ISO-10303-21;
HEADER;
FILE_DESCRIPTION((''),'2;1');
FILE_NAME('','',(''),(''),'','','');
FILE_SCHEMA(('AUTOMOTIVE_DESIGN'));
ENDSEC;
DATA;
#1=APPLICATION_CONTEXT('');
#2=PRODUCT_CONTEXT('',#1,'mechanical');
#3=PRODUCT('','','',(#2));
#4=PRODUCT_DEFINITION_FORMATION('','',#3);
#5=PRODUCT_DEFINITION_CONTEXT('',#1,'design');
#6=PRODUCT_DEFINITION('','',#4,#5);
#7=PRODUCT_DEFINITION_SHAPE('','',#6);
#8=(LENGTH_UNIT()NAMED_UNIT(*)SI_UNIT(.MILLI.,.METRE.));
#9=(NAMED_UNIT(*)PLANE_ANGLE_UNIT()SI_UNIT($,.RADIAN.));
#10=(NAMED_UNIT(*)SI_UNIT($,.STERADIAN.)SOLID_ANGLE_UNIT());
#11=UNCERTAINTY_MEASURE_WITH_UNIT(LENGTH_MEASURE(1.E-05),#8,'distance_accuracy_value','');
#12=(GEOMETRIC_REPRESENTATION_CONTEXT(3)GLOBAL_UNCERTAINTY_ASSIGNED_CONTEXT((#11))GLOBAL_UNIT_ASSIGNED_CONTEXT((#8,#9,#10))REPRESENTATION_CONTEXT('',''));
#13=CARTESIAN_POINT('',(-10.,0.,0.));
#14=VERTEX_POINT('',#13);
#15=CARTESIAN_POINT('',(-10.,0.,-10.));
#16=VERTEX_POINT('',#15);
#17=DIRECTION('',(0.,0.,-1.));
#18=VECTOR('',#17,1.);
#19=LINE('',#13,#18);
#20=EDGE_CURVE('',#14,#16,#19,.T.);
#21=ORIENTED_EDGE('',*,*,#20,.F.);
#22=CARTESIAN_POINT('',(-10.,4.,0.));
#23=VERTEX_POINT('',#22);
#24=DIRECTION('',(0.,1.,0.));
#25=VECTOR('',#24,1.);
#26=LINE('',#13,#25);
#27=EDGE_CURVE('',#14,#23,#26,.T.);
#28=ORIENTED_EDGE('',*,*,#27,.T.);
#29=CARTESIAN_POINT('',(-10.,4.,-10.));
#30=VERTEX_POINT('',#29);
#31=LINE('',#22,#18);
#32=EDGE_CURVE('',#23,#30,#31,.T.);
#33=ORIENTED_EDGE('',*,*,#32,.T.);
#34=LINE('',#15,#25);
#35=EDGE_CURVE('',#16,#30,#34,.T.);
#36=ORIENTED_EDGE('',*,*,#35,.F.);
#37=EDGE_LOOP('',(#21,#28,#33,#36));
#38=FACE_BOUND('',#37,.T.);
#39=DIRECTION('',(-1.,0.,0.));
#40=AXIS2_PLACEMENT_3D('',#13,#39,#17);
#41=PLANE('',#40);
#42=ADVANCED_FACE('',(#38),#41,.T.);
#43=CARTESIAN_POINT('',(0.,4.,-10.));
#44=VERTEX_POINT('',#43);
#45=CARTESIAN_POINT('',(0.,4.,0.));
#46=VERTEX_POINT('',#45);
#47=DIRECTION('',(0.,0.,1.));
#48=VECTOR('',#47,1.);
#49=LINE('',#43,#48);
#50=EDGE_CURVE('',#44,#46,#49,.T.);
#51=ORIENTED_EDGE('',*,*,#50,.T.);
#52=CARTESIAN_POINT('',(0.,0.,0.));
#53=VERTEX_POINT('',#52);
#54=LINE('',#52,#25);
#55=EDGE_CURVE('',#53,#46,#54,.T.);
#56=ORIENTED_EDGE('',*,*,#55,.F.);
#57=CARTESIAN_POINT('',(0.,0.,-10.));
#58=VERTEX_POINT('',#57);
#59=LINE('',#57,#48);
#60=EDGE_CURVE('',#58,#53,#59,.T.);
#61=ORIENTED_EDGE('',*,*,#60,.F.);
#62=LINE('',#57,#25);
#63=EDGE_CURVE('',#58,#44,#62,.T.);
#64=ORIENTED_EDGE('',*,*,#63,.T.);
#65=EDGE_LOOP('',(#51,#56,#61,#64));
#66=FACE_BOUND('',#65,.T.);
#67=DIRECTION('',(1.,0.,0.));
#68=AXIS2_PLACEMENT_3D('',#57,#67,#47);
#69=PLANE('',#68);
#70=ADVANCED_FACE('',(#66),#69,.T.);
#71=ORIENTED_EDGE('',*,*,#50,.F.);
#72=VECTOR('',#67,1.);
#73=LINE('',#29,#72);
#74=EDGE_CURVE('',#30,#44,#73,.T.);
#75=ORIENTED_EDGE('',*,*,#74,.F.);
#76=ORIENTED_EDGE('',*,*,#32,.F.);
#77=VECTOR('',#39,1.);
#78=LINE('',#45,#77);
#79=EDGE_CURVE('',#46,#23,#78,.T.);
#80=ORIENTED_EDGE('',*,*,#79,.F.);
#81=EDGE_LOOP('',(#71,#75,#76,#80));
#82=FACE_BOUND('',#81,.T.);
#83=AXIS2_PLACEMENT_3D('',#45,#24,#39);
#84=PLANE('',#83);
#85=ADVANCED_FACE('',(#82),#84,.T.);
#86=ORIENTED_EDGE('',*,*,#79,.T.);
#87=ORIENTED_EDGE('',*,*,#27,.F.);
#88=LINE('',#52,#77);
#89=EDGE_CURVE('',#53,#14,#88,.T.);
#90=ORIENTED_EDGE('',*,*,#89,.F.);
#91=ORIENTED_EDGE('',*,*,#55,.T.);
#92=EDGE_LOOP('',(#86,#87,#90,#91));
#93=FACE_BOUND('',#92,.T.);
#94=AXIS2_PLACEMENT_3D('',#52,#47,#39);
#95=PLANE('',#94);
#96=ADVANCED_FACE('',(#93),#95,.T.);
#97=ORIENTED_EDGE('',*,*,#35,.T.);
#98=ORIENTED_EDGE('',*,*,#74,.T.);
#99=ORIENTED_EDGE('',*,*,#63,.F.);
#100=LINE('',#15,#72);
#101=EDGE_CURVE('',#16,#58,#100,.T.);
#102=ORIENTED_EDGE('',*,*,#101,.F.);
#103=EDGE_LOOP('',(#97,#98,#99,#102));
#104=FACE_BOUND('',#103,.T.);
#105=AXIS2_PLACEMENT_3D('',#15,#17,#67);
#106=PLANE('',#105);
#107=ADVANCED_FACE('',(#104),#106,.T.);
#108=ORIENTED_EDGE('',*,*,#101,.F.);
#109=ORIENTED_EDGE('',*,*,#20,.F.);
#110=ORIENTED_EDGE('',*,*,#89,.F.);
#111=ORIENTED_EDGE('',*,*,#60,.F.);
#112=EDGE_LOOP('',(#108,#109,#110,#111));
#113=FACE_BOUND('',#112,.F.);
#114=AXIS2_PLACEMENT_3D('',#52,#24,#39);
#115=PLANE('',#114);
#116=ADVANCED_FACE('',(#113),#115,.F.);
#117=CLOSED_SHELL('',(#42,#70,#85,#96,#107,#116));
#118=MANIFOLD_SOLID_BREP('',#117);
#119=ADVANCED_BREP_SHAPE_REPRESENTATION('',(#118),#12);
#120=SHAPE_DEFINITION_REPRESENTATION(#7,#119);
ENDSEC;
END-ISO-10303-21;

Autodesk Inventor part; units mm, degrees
ref_plane "YZ Plane" through (0, 0, 0) normal (1, 0, 0) x (0, 1, 0)
ref_plane "XZ Plane" through (0, 0, 0) normal (0, 1, 0) x (-1, 0, 0)
ref_plane "XY Plane" through (0, 0, 0) normal (0, 0, 1) x (1, 0, 0)
sketch "Sketch1" plane through (0, 0, 0) normal (0, 1, 0) x (-1, 0, 0)
  line L0 (0, 0) -> (10, 0)
  line L1 (10, 0) -> (10, -10)
  line L2 (10, -10) -> (0, -10)
  line L3 (0, -10) -> (0, 0)
  dimension "d0" = 10
  dimension "d1" = 10
extrude "Extrusion1" add sketch "Sketch1" along normal blind 4
properties part number "Box 4mm"
